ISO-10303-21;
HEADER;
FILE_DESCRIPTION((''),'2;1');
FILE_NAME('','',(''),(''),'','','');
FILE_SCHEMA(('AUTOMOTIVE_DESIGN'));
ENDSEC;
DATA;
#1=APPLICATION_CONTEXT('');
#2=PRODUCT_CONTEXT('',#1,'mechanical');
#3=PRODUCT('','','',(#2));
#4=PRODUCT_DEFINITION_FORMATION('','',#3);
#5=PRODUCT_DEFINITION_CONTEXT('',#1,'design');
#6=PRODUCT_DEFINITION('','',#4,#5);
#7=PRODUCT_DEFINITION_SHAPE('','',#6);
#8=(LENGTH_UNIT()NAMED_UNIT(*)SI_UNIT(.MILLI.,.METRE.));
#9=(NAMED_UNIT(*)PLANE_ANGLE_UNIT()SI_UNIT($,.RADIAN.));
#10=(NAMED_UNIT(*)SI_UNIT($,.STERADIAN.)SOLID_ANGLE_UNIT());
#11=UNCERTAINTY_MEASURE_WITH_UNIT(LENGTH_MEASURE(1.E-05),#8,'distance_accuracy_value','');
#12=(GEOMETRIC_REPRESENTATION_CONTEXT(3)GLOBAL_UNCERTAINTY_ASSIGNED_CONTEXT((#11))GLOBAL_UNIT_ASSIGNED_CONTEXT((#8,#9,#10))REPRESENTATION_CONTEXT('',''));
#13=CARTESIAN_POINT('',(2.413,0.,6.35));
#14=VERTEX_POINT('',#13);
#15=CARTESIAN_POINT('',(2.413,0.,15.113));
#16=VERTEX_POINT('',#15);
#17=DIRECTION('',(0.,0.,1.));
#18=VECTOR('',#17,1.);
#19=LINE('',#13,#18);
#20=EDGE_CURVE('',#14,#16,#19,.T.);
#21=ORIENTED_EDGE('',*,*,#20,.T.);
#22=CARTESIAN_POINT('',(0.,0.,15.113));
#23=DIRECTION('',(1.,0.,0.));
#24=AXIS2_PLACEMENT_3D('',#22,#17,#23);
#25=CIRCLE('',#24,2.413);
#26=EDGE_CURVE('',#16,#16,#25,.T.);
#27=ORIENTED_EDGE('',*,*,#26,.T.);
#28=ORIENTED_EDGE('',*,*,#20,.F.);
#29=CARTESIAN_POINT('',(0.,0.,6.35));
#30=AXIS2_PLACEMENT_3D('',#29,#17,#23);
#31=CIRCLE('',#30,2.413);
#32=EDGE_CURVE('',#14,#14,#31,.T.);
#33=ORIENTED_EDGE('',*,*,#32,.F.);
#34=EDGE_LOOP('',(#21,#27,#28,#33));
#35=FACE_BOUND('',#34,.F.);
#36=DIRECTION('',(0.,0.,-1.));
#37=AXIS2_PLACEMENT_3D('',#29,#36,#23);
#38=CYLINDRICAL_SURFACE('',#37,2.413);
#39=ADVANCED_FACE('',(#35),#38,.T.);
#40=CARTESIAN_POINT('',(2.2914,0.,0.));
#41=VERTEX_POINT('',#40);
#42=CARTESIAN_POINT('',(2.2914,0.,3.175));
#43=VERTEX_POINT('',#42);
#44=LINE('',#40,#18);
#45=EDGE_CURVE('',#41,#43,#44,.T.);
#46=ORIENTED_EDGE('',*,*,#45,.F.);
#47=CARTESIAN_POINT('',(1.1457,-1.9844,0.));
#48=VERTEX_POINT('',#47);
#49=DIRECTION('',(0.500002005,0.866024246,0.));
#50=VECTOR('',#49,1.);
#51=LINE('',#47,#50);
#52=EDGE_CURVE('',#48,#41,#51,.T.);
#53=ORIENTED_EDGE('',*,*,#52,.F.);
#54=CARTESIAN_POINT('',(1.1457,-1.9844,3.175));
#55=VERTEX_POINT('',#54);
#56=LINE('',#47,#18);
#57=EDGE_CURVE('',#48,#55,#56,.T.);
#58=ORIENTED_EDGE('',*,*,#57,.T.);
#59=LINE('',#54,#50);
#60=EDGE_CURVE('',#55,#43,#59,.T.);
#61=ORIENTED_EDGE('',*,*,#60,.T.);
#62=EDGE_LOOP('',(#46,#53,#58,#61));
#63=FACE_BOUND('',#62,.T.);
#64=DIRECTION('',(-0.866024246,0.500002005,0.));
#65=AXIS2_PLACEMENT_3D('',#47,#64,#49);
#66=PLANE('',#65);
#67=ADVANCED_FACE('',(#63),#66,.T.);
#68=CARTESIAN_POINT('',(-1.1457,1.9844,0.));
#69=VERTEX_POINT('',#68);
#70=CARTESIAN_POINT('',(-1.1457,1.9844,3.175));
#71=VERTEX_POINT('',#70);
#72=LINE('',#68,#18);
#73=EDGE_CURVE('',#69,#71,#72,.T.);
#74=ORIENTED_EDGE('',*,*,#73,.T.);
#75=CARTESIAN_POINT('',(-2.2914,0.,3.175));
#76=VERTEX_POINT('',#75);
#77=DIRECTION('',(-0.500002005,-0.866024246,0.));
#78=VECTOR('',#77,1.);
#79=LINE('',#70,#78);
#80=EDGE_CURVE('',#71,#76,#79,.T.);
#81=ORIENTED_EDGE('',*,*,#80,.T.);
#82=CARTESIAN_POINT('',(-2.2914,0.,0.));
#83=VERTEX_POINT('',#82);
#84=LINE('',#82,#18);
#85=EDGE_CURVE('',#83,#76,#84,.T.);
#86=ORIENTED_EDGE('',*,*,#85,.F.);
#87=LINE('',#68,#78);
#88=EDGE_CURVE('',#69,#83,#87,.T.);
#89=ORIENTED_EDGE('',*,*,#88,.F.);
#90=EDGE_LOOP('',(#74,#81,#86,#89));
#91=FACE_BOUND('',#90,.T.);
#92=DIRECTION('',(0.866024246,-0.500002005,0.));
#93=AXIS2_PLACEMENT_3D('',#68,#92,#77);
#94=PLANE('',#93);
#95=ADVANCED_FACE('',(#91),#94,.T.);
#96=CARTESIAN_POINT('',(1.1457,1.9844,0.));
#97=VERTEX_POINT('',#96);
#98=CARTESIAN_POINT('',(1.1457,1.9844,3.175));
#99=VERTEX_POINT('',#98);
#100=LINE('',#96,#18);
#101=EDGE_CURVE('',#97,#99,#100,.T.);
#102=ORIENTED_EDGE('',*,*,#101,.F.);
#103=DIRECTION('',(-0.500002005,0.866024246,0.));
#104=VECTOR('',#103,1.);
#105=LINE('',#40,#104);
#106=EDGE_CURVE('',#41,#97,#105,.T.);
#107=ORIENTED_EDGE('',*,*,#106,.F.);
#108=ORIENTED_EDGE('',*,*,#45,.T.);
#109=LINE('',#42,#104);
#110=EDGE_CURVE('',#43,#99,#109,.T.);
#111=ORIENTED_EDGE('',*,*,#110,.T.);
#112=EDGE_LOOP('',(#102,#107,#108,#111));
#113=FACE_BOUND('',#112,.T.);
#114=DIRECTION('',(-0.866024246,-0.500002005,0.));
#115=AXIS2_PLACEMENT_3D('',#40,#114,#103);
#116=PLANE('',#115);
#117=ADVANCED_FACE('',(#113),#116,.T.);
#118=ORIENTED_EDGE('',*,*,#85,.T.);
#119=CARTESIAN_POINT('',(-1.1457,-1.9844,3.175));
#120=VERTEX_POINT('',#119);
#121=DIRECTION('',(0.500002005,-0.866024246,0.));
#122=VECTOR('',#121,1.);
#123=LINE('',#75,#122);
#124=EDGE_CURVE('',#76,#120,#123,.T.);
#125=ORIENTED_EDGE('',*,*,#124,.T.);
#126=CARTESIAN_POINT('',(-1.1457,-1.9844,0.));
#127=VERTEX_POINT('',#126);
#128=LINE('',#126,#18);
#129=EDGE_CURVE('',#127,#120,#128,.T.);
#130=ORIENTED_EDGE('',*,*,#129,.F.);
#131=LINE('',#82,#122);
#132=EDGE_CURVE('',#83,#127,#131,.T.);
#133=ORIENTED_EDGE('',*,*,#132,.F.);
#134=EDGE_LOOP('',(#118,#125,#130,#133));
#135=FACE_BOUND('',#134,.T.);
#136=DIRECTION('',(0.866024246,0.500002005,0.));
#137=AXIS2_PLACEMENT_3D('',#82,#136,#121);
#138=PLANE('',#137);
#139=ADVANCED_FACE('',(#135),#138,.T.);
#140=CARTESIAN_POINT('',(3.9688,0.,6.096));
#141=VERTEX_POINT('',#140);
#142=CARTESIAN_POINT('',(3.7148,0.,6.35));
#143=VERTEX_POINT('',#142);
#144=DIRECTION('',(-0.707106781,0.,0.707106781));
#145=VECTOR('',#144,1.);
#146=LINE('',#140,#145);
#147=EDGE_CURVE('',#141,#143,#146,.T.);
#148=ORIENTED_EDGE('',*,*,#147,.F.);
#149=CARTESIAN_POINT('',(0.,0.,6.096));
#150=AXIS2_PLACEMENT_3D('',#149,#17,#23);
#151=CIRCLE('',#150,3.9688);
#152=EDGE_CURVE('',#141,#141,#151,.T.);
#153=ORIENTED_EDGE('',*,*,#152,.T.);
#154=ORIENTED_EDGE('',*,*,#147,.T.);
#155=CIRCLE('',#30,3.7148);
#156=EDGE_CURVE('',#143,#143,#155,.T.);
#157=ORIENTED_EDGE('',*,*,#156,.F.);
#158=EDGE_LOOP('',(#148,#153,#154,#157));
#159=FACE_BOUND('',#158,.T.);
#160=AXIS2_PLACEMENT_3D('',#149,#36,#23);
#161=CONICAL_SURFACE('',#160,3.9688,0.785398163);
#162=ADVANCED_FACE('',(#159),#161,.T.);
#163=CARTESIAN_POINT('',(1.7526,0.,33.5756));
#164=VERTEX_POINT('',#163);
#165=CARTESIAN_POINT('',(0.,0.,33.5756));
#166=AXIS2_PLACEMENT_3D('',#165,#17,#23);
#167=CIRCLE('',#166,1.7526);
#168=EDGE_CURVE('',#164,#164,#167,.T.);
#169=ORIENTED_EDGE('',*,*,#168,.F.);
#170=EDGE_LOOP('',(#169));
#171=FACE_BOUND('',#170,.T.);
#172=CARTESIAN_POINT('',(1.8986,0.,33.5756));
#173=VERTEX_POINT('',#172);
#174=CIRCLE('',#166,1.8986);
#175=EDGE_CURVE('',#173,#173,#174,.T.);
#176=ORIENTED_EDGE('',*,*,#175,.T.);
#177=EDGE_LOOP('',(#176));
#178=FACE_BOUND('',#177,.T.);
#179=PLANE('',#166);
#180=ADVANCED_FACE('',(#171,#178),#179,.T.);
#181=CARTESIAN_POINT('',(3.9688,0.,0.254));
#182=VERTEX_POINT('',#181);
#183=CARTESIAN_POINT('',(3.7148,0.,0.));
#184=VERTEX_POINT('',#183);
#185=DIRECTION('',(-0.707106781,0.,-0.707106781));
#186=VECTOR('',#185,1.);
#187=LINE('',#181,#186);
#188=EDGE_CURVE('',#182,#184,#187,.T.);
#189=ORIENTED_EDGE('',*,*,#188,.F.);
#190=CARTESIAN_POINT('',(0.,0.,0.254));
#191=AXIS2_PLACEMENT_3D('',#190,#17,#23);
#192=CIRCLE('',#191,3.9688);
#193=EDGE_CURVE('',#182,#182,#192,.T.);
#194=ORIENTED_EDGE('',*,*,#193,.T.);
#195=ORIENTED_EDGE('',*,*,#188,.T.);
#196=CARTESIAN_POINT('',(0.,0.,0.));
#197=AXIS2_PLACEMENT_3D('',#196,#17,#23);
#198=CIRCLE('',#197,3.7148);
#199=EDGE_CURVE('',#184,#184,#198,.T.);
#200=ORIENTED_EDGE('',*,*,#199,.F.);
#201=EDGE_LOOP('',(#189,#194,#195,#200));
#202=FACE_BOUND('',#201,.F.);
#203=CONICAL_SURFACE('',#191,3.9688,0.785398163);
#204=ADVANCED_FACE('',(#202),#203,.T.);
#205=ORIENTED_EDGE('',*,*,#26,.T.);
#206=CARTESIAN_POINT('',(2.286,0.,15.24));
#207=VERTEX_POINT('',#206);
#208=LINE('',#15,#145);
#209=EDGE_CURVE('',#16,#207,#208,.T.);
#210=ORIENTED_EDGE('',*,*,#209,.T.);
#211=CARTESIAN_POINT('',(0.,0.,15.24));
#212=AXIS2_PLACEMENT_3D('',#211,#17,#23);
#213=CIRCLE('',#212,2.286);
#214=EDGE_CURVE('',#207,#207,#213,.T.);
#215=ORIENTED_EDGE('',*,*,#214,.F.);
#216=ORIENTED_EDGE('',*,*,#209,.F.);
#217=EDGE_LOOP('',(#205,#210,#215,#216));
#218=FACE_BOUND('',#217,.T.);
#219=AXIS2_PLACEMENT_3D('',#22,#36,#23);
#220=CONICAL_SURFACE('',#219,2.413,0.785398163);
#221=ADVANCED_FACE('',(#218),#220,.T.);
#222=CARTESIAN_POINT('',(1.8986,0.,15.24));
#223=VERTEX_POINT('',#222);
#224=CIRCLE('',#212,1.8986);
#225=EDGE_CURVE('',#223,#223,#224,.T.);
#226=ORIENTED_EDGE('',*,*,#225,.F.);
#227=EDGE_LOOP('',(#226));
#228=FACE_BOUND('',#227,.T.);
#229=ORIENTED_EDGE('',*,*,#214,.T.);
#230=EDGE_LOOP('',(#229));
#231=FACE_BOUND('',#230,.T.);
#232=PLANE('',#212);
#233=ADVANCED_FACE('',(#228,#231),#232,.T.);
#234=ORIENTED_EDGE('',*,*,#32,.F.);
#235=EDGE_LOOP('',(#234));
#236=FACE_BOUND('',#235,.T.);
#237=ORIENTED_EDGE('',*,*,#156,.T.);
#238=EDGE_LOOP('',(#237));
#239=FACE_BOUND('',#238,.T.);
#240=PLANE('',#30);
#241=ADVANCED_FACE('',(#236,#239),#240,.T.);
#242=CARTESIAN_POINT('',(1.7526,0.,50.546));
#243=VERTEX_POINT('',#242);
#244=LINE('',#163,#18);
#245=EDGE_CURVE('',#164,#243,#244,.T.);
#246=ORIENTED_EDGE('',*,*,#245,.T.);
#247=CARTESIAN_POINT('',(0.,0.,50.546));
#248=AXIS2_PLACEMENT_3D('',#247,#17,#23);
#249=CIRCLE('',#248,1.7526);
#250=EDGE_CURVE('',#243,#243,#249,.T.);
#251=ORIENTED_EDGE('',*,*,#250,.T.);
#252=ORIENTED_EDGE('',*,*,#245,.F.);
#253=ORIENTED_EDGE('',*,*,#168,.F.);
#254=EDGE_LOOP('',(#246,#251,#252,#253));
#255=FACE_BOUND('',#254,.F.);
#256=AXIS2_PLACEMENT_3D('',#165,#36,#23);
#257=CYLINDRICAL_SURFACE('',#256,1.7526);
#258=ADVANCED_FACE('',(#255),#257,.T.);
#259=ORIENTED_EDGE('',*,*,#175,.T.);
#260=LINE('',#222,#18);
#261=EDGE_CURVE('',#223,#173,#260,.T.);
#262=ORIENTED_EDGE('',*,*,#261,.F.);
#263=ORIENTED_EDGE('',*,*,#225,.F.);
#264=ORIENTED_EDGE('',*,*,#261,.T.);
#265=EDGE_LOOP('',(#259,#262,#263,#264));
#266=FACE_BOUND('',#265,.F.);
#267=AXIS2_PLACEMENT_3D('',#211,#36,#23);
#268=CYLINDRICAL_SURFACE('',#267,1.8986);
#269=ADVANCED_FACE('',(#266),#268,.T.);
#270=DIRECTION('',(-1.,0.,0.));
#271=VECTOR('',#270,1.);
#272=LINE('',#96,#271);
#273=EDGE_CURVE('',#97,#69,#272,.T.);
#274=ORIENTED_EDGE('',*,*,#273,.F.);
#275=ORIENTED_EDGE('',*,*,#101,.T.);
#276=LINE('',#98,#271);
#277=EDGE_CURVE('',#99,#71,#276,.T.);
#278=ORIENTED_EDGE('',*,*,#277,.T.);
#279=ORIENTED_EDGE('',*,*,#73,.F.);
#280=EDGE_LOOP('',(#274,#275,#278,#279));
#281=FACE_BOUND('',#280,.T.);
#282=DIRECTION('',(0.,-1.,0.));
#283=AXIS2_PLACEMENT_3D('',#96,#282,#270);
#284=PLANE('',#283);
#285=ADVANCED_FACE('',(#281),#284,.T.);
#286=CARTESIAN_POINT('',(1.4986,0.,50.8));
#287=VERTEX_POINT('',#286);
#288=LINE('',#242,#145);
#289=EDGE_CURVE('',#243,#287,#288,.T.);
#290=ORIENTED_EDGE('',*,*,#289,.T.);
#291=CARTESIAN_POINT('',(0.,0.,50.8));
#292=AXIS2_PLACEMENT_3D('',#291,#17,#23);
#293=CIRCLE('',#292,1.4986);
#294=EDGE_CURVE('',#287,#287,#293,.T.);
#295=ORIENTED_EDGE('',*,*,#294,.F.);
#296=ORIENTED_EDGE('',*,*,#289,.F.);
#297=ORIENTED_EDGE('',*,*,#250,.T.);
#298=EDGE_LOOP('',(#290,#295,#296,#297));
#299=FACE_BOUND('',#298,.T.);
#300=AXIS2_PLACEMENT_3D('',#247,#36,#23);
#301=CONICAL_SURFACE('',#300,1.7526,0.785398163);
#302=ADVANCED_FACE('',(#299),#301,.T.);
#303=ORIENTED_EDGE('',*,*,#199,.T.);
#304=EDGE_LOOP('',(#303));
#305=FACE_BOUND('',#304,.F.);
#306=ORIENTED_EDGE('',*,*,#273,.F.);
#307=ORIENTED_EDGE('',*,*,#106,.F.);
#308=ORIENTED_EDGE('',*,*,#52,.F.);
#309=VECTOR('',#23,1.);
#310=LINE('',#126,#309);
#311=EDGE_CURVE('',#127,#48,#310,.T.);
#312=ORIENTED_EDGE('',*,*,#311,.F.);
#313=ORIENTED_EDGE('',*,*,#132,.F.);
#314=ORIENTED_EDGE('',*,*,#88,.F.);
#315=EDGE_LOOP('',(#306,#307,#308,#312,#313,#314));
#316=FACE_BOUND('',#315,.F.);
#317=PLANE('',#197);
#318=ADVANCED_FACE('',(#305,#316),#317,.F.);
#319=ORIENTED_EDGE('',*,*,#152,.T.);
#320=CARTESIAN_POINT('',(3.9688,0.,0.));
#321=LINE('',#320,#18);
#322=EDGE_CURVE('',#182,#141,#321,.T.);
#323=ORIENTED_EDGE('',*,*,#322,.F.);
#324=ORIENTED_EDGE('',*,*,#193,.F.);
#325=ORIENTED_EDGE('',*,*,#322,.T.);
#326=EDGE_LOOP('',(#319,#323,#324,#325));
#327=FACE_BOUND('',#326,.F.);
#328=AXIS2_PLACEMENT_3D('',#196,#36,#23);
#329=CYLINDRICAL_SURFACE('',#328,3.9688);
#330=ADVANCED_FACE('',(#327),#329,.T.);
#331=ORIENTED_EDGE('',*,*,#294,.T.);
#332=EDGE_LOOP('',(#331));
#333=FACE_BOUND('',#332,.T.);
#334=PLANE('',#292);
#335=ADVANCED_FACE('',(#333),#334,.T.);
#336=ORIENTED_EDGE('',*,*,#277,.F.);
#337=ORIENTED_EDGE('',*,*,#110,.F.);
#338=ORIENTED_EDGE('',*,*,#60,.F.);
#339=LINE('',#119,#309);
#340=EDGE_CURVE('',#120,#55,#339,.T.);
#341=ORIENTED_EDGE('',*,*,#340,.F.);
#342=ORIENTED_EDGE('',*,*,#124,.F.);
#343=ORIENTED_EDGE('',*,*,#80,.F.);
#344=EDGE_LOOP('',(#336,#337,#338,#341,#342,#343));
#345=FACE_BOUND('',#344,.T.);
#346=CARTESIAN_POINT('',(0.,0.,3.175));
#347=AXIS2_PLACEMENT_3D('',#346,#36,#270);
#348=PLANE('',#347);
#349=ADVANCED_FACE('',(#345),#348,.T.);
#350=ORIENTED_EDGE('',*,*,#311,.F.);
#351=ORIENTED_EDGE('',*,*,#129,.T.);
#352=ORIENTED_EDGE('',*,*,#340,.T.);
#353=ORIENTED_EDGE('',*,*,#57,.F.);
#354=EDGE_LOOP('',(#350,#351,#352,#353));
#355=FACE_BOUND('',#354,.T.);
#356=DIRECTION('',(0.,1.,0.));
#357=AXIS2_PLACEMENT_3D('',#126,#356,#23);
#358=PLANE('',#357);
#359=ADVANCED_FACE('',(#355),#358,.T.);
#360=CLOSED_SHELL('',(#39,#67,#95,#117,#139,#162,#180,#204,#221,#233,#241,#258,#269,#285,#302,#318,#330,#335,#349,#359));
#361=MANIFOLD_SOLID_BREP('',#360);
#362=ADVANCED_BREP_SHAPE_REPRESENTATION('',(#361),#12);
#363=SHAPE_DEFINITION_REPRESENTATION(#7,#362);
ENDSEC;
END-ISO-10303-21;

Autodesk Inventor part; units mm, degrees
ref_plane "YZ Plane" through (0, 0, 0) normal (1, 0, 0) x (0, 1, 0)
ref_plane "XZ Plane" through (0, 0, 0) normal (0, 1, 0) x (-1, 0, 0)
ref_plane "XY Plane" through (0, 0, 0) normal (0, 0, 1) x (1, 0, 0)
sketch "Sketch1" plane through (0, 0, 0) normal (0, 0, 1) x (1, 0, 0)
  circle A0 centre (0, 0) radius 3.9688
  dimension "d0" = 7.9375
extrude "Extrusion1" add sketch "Sketch1" along normal blind 6.35
sketch "Sketch2" plane through (0, 0, 6.35) normal (0, 0, 1) x (1, 0, 0)
  circle A0 centre (0, 0) radius 3.9688 projected
  circle A1 centre (0, 0) radius 2.413
  dimension "d4" = 4.826
extrude "Extrusion2" add sketch "Sketch2" along normal blind 8.89 contours A1
thread "Thread1" size "10-32 UNF" class "2A" standard "ANSI Unified Screw Threads" full length
sketch "Sketch3" plane through (0, 0, 15.24) normal (0, 0, 1) x (1, 0, 0)
  circle A0 centre (0, 0) radius 2.413 projected
  circle A1 centre (0, 0) radius 1.8986
  dimension "d17" = 3.7973
extrude "Extrusion3" add sketch "Sketch3" along normal blind 18.3356 contours A1
sketch "Sketch4" plane through (0, 0, 0) normal (0, 0, -1) x (-1, 0, 0)
  circle A0 centre (0, 0) radius 3.9688 projected
  line L0 (-2.2914, 0) -> (-1.1457, 1.9844)
  line L1 (-1.1457, 1.9844) -> (1.1457, 1.9844)
  line L2 (1.1457, 1.9844) -> (2.2914, 0)
  line L3 (2.2914, 0) -> (1.1457, -1.9844)
  line L4 (1.1457, -1.9844) -> (-1.1457, -1.9844)
  line L5 (-1.1457, -1.9844) -> (-2.2914, 0)
  dimension "d23" = 3.9688
extrude "Extrusion4" cut sketch "Sketch4" against normal blind 3.175 contours L0 L1 L2 L3 L4 L5
sketch "Sketch5" plane through (0, 0, 33.5756) normal (0, 0, 1) x (1, 0, 0)
  circle A0 centre (0, 0) radius 1.8986 projected
  circle A1 centre (0, 0) radius 1.7526
  dimension "d32" = 3.5052
extrude "Extrusion5" add sketch "Sketch5" along normal blind 17.2244 contours A1
thread "Thread2" size "6-32 UNC" class "2A" standard "ANSI Unified Screw Threads" full length
chamfer "Chamfer1" distance 0.254 angle 45 3 edges at (-3.9688, 0, 0) (-3.9688, 0, 6.35) (-1.7526, 0, 50.8)
chamfer "Chamfer2" distance 0.127 angle 45 1 edges at (-2.413, 0, 15.24)
properties part number "Rod Nut Side"
